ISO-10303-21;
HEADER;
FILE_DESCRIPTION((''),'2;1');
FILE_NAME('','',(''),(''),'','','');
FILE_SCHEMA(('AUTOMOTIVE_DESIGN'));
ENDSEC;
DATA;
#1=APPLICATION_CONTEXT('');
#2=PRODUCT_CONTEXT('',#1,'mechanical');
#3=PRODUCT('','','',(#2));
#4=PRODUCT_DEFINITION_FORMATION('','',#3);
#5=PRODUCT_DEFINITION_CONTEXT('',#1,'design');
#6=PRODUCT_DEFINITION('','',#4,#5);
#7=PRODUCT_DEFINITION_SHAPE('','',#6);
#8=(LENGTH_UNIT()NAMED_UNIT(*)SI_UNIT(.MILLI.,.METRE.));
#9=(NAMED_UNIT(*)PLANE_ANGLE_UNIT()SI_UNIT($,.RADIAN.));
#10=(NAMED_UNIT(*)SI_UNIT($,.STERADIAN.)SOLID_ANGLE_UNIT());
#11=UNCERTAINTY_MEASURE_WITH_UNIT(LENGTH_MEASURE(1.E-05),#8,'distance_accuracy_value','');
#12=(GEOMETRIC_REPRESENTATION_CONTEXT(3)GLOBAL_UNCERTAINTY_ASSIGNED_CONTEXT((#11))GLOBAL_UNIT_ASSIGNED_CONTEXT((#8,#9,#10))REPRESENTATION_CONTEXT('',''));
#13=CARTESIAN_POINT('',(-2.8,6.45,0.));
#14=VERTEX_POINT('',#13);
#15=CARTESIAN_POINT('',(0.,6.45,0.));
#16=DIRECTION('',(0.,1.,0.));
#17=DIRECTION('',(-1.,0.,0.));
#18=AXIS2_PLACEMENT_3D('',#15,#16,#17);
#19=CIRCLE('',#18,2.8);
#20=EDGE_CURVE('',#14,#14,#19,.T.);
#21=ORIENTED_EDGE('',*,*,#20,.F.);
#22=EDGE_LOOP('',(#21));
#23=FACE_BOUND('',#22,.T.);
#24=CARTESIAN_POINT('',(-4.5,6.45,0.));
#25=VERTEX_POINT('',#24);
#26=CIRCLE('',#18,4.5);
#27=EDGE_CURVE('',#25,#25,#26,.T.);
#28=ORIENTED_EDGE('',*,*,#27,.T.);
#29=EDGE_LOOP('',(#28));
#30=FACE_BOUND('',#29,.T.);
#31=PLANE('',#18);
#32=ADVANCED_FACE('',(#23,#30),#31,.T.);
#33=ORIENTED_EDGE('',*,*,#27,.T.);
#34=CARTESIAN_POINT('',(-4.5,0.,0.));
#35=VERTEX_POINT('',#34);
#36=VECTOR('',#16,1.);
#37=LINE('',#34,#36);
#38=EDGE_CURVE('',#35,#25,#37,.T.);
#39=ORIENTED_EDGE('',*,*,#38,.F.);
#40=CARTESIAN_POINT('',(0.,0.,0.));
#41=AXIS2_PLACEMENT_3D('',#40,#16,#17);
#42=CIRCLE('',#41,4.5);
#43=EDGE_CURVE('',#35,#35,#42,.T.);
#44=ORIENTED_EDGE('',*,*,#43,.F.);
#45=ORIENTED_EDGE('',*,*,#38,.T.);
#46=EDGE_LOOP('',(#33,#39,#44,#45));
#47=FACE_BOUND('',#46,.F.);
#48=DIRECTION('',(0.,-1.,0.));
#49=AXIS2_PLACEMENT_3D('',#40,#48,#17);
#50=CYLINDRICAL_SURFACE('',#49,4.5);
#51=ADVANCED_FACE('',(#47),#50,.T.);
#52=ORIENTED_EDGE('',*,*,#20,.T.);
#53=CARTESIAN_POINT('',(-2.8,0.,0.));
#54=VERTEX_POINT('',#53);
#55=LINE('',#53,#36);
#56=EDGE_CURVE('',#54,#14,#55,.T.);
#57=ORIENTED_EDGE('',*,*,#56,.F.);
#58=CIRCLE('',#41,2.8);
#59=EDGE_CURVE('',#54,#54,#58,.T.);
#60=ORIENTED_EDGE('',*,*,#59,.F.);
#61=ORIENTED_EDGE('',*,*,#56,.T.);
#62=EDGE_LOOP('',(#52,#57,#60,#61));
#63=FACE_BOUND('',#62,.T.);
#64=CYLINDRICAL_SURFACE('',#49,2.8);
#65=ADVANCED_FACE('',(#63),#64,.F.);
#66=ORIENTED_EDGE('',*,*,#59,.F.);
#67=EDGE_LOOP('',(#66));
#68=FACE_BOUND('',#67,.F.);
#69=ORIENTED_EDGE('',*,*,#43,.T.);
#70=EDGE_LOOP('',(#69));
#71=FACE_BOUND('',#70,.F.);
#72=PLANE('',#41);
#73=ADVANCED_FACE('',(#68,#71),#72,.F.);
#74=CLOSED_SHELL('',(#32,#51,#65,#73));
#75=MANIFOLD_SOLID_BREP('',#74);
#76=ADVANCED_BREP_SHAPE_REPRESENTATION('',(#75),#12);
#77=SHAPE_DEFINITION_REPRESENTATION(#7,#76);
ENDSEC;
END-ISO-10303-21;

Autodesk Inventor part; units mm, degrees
ref_plane "YZ Plane" through (0, 0, 0) normal (1, 0, 0) x (0, 1, 0)
ref_plane "XZ Plane" through (0, 0, 0) normal (0, 1, 0) x (-1, 0, 0)
ref_plane "XY Plane" through (0, 0, 0) normal (0, 0, 1) x (1, 0, 0)
sketch "Sketch1" plane through (0, 0, 0) normal (0, 1, 0) x (-1, 0, 0)
  circle A0 centre (0, 0) radius 2.8
  circle A1 centre (0, 0) radius 4.5
  dimension "d1" = 5.6
  dimension "d2" = 9
extrude "Extrusion1" add sketch "Sketch1" along normal blind 6.45
properties part number "Y Axis Spacer_3DPrint"
